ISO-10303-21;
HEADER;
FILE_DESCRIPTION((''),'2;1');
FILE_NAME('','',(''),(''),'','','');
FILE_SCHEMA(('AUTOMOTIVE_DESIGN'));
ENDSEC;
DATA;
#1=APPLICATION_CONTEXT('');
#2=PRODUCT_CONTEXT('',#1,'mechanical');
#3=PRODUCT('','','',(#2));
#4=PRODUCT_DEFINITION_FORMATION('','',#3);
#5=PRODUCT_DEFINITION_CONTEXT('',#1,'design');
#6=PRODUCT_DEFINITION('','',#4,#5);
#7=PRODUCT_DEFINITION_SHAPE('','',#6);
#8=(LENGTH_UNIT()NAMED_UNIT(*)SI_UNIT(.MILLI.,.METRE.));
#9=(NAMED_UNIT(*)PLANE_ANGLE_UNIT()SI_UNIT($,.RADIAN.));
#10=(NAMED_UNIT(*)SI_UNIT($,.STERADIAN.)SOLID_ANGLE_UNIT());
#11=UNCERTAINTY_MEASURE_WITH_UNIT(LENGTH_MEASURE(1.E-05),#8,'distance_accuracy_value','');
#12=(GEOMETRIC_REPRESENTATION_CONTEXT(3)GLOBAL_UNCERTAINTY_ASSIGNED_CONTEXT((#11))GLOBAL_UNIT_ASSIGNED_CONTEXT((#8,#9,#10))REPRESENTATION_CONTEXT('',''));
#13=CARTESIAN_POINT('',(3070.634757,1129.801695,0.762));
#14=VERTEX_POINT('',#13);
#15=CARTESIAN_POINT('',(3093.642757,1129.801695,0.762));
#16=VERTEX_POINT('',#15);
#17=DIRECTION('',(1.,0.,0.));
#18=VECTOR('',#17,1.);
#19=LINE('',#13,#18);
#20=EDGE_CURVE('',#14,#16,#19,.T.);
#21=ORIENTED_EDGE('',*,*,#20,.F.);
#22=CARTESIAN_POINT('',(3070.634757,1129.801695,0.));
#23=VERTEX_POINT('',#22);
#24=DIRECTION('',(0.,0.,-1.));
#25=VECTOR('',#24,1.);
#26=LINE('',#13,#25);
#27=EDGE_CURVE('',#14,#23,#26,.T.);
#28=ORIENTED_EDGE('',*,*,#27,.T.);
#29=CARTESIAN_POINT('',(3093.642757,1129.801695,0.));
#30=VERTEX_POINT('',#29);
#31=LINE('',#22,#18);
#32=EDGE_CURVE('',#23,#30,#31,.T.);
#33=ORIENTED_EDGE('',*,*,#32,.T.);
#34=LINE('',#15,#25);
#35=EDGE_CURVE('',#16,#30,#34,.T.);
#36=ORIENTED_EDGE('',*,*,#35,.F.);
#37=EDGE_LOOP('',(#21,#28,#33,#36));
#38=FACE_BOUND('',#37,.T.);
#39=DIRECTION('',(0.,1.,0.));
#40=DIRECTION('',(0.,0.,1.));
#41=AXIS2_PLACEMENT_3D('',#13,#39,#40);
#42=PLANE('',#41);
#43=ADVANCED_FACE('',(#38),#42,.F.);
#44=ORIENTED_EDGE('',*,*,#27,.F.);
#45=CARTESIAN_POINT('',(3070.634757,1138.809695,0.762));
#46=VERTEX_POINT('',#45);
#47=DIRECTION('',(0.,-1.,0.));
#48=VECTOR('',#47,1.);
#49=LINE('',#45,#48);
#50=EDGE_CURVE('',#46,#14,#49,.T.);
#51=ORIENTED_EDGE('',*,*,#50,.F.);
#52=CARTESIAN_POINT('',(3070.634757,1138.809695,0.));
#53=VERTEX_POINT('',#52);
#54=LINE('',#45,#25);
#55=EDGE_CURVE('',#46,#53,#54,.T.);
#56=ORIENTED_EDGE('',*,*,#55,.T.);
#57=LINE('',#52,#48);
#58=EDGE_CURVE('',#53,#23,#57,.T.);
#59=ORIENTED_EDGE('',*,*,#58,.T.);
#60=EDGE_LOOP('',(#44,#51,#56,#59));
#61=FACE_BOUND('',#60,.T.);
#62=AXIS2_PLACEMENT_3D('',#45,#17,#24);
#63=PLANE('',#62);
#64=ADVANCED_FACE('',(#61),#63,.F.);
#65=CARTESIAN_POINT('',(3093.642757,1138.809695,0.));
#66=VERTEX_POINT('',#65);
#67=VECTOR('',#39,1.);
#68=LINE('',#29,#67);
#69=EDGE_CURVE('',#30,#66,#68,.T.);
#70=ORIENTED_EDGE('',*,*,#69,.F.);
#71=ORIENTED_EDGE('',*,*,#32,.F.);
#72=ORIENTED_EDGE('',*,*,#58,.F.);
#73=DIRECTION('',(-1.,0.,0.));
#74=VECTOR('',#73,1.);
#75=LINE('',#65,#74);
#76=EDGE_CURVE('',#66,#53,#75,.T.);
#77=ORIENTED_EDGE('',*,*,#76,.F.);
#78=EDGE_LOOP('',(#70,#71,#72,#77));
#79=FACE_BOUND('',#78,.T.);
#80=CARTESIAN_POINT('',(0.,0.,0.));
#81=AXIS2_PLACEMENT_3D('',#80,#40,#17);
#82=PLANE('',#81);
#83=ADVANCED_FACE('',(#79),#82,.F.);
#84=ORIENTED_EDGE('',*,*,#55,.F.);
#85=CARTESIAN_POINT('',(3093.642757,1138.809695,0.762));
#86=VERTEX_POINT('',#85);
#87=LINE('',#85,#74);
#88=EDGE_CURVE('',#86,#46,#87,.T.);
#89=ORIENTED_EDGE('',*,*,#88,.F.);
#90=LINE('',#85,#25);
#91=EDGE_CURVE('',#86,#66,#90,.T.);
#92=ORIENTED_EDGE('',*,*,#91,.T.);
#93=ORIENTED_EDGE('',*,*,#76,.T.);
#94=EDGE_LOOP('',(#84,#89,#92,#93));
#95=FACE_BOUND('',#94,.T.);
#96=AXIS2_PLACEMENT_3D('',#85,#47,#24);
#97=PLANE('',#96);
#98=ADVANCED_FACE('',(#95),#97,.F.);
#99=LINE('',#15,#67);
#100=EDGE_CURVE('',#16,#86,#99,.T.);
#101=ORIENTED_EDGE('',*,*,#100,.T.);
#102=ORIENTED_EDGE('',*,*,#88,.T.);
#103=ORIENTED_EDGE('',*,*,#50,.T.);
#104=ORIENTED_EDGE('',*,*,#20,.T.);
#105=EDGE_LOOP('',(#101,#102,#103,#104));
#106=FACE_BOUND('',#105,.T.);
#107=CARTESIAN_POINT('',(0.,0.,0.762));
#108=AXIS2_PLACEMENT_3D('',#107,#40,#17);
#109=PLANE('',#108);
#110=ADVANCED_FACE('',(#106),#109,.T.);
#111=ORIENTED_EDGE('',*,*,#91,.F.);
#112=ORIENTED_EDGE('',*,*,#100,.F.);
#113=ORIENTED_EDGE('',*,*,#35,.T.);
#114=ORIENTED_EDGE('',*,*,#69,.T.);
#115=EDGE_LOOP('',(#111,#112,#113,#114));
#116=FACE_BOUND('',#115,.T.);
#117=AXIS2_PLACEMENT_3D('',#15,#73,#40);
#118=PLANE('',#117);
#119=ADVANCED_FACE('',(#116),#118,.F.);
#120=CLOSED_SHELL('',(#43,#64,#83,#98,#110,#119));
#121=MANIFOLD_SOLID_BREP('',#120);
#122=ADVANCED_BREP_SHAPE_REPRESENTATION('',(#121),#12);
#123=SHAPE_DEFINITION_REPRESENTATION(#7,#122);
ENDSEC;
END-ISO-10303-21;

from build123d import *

# Parameters (mm, degrees)
SKETCH1_W           = 23.008
SKETCH1_H           = 9.008
BOSS_EXTRUDE1_DEPTH = 0.762


with BuildPart() as part:
    # Sketch1 → Boss-Extrude1 (new body)
    with BuildSketch(Plane.XY):
        with Locations((3082.138757164, 1134.305694712)):
            Rectangle(SKETCH1_W, SKETCH1_H)
    extrude(amount=BOSS_EXTRUDE1_DEPTH)


solid = part.part
